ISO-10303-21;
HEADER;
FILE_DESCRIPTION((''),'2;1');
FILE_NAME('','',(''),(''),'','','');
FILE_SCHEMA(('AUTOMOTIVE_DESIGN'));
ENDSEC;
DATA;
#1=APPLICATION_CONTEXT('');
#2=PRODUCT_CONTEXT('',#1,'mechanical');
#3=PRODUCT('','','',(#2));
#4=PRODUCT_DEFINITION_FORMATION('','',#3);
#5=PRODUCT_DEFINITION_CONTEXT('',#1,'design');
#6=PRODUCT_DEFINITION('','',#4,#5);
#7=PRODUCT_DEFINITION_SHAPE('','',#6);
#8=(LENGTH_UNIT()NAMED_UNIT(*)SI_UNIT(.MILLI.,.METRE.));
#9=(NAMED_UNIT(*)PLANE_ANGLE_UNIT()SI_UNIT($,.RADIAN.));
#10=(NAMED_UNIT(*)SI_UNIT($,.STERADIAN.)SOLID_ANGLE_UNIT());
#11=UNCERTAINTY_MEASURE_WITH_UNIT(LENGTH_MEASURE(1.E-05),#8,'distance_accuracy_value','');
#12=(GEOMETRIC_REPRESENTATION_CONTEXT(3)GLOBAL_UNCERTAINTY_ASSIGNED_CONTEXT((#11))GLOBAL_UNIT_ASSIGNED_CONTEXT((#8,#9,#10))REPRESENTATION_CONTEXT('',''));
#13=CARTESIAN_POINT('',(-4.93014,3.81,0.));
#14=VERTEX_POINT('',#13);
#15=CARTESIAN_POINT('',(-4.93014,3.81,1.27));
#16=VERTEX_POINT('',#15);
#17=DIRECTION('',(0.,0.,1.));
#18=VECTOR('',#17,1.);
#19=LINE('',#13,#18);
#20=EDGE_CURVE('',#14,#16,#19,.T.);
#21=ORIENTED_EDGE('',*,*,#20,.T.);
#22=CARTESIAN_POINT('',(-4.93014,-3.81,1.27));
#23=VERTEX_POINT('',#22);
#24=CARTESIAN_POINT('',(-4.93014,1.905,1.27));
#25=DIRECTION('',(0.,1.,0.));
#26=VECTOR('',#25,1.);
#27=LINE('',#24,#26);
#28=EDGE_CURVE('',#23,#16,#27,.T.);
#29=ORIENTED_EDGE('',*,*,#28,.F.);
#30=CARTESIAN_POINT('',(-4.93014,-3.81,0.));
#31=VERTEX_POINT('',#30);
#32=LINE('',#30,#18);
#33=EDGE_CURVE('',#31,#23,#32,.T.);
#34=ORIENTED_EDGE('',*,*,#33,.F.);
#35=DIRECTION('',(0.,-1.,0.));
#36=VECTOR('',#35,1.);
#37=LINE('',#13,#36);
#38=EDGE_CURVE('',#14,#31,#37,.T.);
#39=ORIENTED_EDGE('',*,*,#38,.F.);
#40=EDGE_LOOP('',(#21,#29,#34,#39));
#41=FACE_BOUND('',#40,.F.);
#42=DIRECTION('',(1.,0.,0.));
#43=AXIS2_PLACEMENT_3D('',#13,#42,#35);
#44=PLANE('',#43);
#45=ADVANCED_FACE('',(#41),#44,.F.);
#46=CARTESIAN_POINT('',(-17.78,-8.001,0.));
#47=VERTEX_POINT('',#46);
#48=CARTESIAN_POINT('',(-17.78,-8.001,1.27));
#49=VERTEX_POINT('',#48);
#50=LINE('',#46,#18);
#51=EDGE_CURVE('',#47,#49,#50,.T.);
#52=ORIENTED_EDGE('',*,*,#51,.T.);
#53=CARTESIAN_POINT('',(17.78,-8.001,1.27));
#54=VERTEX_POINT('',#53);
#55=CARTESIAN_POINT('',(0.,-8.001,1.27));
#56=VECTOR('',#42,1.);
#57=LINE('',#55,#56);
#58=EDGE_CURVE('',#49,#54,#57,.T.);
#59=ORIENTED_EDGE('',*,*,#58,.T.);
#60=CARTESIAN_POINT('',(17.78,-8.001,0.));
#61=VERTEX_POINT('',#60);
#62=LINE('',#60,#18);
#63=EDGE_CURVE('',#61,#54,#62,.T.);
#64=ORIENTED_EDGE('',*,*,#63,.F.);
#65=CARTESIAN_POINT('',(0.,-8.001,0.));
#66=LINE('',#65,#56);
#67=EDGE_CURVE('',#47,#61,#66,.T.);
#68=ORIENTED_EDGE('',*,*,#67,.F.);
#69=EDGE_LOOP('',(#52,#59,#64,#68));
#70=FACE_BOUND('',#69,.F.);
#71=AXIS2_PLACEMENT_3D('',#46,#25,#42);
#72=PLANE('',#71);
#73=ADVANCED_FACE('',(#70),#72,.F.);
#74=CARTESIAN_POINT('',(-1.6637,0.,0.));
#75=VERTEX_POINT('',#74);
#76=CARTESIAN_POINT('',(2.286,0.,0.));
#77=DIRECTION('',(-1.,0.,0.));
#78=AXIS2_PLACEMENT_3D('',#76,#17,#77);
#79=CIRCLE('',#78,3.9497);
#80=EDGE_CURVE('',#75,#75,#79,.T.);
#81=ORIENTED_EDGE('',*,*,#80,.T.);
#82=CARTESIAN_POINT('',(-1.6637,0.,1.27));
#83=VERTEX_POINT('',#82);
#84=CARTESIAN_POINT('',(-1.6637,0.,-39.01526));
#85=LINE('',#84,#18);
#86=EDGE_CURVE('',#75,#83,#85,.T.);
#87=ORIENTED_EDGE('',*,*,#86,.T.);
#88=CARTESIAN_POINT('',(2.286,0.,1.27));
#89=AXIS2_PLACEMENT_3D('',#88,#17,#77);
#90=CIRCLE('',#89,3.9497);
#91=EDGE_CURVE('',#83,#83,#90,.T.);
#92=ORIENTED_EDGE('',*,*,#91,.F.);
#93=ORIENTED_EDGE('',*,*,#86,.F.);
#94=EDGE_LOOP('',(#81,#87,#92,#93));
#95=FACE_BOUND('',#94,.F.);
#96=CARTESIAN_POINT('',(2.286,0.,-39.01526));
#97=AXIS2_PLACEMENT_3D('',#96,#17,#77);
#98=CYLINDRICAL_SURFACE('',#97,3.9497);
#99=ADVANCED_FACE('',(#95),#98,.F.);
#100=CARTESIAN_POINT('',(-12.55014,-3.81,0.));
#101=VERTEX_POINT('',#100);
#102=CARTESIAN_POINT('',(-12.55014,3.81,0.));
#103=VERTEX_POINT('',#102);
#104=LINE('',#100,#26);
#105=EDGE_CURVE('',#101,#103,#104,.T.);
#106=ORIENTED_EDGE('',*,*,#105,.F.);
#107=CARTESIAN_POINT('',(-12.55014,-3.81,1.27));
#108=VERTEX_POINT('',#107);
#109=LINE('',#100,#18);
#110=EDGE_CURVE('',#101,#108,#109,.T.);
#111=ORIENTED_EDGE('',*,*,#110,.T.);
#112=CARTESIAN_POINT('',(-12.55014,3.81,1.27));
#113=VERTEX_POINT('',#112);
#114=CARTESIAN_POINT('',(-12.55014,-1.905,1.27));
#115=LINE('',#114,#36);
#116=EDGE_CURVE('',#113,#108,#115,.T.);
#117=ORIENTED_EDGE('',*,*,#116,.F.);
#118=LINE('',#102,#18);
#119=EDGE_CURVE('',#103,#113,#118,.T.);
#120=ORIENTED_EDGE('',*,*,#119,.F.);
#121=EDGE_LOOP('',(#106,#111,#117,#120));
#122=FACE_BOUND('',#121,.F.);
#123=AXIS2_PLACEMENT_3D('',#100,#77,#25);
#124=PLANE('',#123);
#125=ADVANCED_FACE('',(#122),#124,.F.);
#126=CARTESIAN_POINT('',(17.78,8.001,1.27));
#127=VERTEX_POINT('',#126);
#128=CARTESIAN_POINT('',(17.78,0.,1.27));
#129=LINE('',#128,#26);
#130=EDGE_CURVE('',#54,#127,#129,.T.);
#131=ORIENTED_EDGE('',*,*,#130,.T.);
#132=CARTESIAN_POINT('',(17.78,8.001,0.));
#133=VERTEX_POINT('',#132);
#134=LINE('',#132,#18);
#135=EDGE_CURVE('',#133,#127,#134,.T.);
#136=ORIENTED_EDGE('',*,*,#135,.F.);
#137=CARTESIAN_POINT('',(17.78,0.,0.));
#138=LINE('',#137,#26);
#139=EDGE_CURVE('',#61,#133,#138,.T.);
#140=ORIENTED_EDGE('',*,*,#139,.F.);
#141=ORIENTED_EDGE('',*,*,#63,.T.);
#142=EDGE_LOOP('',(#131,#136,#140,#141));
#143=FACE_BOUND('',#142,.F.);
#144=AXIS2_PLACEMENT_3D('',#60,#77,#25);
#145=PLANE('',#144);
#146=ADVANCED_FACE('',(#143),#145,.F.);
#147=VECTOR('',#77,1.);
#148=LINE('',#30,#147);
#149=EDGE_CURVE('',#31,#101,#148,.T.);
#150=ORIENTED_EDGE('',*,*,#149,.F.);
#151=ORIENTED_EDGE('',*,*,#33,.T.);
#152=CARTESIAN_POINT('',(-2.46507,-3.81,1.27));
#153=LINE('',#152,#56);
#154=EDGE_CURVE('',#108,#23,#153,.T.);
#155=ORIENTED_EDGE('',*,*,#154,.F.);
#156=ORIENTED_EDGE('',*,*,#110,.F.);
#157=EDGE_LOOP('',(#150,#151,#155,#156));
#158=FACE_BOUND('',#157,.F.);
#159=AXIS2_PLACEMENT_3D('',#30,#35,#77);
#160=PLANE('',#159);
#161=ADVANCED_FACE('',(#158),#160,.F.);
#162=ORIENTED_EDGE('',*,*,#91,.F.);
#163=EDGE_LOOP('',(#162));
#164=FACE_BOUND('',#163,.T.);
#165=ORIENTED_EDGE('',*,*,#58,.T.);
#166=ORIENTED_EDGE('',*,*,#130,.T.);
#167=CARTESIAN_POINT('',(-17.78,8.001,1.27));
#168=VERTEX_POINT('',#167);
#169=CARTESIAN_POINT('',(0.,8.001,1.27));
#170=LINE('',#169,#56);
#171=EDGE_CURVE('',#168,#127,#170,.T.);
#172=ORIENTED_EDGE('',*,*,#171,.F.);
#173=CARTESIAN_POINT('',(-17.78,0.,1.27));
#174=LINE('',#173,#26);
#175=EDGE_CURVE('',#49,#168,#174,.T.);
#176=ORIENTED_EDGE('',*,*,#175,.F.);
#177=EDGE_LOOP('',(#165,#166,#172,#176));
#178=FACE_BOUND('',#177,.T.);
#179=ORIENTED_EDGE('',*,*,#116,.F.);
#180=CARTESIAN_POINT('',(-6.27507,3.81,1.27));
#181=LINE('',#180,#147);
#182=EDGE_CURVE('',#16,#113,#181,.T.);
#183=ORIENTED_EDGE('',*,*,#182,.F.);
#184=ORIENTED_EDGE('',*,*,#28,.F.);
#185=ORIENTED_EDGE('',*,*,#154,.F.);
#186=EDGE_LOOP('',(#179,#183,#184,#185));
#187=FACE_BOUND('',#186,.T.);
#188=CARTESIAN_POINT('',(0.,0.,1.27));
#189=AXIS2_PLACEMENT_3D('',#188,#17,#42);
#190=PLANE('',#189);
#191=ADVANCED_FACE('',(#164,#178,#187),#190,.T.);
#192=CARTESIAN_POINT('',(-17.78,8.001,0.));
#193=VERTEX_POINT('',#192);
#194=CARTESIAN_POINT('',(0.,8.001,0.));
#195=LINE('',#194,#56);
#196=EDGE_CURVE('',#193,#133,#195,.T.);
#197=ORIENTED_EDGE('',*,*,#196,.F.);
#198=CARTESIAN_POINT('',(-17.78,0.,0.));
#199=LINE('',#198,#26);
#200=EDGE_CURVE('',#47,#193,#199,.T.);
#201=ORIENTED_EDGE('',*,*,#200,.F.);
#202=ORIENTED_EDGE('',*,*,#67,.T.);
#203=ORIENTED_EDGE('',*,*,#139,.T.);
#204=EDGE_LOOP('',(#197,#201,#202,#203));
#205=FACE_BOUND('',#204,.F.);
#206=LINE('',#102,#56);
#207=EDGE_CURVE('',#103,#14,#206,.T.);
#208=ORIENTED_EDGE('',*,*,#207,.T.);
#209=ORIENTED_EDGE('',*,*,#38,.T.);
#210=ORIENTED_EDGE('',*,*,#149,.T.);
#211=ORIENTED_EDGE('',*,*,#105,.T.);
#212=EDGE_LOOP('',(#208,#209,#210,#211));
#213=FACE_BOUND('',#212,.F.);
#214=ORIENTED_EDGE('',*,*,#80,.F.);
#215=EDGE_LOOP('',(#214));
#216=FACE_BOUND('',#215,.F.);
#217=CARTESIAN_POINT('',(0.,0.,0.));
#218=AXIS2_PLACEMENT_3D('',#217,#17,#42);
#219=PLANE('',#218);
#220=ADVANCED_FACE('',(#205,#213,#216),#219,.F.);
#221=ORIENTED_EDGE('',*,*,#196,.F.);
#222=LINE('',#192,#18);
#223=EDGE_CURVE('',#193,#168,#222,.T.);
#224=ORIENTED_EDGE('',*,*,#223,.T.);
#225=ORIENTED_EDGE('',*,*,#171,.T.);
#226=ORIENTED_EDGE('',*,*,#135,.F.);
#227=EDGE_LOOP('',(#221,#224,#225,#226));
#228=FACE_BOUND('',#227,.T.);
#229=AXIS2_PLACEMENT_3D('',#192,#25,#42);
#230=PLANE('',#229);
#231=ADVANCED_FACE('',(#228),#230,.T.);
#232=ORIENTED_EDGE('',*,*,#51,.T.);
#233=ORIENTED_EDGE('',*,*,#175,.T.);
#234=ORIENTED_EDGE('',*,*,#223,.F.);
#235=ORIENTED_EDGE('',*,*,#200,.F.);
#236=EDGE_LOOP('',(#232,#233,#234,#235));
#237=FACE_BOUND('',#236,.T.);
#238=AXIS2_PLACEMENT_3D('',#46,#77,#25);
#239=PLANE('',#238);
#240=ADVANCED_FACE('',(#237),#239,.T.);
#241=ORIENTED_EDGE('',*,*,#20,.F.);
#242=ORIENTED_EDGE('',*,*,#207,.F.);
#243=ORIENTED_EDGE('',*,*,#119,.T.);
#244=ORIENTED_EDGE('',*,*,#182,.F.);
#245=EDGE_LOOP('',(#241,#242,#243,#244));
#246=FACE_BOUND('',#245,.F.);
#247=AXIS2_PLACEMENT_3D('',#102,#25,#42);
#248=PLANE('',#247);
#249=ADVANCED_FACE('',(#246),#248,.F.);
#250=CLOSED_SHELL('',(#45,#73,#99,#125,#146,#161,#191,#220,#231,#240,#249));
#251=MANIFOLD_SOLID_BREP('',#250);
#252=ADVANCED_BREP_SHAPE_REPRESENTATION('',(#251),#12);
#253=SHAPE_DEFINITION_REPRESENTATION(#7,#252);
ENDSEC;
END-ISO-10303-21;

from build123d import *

# Parameters (mm, degrees)
F0_W     = 35.56
F0_H     = 16.002
F1_DEPTH = 1.27
F3_D     = 7.8994
F4_DEPTH = 1.271


with BuildPart() as f1:
    # F0 (on Top) → F1 (new body)
    with BuildSketch(Plane.XY):
        Rectangle(F0_W, F0_H)
    extrude(amount=F1_DEPTH)

    # F3 (through all)
    with Locations(Plane(origin=(0, 0, 0), x_dir=(1, 0, 0), z_dir=(0, 0, -1))):
        with Locations((2.286, 0)):
            Hole(F3_D / 2)

    # F2 (on face) → F4 (cut, through all)
    with BuildSketch(Plane(origin=(0, 0, 0), x_dir=(1, 0, 0), z_dir=(0, 0, -1))):
        Polygon((-12.55014, 3.81), (-12.55014, 0), (-8.74014, 0), (-4.93014, 0), (-4.93014, 3.81), align=None)
        Polygon((-8.74014, 0), (-12.55014, 0), (-12.55014, -3.81), (-4.93014, -3.81), (-4.93014, 0), align=None)
    extrude(amount=-F4_DEPTH, mode=Mode.SUBTRACT)


solid = f1.part
